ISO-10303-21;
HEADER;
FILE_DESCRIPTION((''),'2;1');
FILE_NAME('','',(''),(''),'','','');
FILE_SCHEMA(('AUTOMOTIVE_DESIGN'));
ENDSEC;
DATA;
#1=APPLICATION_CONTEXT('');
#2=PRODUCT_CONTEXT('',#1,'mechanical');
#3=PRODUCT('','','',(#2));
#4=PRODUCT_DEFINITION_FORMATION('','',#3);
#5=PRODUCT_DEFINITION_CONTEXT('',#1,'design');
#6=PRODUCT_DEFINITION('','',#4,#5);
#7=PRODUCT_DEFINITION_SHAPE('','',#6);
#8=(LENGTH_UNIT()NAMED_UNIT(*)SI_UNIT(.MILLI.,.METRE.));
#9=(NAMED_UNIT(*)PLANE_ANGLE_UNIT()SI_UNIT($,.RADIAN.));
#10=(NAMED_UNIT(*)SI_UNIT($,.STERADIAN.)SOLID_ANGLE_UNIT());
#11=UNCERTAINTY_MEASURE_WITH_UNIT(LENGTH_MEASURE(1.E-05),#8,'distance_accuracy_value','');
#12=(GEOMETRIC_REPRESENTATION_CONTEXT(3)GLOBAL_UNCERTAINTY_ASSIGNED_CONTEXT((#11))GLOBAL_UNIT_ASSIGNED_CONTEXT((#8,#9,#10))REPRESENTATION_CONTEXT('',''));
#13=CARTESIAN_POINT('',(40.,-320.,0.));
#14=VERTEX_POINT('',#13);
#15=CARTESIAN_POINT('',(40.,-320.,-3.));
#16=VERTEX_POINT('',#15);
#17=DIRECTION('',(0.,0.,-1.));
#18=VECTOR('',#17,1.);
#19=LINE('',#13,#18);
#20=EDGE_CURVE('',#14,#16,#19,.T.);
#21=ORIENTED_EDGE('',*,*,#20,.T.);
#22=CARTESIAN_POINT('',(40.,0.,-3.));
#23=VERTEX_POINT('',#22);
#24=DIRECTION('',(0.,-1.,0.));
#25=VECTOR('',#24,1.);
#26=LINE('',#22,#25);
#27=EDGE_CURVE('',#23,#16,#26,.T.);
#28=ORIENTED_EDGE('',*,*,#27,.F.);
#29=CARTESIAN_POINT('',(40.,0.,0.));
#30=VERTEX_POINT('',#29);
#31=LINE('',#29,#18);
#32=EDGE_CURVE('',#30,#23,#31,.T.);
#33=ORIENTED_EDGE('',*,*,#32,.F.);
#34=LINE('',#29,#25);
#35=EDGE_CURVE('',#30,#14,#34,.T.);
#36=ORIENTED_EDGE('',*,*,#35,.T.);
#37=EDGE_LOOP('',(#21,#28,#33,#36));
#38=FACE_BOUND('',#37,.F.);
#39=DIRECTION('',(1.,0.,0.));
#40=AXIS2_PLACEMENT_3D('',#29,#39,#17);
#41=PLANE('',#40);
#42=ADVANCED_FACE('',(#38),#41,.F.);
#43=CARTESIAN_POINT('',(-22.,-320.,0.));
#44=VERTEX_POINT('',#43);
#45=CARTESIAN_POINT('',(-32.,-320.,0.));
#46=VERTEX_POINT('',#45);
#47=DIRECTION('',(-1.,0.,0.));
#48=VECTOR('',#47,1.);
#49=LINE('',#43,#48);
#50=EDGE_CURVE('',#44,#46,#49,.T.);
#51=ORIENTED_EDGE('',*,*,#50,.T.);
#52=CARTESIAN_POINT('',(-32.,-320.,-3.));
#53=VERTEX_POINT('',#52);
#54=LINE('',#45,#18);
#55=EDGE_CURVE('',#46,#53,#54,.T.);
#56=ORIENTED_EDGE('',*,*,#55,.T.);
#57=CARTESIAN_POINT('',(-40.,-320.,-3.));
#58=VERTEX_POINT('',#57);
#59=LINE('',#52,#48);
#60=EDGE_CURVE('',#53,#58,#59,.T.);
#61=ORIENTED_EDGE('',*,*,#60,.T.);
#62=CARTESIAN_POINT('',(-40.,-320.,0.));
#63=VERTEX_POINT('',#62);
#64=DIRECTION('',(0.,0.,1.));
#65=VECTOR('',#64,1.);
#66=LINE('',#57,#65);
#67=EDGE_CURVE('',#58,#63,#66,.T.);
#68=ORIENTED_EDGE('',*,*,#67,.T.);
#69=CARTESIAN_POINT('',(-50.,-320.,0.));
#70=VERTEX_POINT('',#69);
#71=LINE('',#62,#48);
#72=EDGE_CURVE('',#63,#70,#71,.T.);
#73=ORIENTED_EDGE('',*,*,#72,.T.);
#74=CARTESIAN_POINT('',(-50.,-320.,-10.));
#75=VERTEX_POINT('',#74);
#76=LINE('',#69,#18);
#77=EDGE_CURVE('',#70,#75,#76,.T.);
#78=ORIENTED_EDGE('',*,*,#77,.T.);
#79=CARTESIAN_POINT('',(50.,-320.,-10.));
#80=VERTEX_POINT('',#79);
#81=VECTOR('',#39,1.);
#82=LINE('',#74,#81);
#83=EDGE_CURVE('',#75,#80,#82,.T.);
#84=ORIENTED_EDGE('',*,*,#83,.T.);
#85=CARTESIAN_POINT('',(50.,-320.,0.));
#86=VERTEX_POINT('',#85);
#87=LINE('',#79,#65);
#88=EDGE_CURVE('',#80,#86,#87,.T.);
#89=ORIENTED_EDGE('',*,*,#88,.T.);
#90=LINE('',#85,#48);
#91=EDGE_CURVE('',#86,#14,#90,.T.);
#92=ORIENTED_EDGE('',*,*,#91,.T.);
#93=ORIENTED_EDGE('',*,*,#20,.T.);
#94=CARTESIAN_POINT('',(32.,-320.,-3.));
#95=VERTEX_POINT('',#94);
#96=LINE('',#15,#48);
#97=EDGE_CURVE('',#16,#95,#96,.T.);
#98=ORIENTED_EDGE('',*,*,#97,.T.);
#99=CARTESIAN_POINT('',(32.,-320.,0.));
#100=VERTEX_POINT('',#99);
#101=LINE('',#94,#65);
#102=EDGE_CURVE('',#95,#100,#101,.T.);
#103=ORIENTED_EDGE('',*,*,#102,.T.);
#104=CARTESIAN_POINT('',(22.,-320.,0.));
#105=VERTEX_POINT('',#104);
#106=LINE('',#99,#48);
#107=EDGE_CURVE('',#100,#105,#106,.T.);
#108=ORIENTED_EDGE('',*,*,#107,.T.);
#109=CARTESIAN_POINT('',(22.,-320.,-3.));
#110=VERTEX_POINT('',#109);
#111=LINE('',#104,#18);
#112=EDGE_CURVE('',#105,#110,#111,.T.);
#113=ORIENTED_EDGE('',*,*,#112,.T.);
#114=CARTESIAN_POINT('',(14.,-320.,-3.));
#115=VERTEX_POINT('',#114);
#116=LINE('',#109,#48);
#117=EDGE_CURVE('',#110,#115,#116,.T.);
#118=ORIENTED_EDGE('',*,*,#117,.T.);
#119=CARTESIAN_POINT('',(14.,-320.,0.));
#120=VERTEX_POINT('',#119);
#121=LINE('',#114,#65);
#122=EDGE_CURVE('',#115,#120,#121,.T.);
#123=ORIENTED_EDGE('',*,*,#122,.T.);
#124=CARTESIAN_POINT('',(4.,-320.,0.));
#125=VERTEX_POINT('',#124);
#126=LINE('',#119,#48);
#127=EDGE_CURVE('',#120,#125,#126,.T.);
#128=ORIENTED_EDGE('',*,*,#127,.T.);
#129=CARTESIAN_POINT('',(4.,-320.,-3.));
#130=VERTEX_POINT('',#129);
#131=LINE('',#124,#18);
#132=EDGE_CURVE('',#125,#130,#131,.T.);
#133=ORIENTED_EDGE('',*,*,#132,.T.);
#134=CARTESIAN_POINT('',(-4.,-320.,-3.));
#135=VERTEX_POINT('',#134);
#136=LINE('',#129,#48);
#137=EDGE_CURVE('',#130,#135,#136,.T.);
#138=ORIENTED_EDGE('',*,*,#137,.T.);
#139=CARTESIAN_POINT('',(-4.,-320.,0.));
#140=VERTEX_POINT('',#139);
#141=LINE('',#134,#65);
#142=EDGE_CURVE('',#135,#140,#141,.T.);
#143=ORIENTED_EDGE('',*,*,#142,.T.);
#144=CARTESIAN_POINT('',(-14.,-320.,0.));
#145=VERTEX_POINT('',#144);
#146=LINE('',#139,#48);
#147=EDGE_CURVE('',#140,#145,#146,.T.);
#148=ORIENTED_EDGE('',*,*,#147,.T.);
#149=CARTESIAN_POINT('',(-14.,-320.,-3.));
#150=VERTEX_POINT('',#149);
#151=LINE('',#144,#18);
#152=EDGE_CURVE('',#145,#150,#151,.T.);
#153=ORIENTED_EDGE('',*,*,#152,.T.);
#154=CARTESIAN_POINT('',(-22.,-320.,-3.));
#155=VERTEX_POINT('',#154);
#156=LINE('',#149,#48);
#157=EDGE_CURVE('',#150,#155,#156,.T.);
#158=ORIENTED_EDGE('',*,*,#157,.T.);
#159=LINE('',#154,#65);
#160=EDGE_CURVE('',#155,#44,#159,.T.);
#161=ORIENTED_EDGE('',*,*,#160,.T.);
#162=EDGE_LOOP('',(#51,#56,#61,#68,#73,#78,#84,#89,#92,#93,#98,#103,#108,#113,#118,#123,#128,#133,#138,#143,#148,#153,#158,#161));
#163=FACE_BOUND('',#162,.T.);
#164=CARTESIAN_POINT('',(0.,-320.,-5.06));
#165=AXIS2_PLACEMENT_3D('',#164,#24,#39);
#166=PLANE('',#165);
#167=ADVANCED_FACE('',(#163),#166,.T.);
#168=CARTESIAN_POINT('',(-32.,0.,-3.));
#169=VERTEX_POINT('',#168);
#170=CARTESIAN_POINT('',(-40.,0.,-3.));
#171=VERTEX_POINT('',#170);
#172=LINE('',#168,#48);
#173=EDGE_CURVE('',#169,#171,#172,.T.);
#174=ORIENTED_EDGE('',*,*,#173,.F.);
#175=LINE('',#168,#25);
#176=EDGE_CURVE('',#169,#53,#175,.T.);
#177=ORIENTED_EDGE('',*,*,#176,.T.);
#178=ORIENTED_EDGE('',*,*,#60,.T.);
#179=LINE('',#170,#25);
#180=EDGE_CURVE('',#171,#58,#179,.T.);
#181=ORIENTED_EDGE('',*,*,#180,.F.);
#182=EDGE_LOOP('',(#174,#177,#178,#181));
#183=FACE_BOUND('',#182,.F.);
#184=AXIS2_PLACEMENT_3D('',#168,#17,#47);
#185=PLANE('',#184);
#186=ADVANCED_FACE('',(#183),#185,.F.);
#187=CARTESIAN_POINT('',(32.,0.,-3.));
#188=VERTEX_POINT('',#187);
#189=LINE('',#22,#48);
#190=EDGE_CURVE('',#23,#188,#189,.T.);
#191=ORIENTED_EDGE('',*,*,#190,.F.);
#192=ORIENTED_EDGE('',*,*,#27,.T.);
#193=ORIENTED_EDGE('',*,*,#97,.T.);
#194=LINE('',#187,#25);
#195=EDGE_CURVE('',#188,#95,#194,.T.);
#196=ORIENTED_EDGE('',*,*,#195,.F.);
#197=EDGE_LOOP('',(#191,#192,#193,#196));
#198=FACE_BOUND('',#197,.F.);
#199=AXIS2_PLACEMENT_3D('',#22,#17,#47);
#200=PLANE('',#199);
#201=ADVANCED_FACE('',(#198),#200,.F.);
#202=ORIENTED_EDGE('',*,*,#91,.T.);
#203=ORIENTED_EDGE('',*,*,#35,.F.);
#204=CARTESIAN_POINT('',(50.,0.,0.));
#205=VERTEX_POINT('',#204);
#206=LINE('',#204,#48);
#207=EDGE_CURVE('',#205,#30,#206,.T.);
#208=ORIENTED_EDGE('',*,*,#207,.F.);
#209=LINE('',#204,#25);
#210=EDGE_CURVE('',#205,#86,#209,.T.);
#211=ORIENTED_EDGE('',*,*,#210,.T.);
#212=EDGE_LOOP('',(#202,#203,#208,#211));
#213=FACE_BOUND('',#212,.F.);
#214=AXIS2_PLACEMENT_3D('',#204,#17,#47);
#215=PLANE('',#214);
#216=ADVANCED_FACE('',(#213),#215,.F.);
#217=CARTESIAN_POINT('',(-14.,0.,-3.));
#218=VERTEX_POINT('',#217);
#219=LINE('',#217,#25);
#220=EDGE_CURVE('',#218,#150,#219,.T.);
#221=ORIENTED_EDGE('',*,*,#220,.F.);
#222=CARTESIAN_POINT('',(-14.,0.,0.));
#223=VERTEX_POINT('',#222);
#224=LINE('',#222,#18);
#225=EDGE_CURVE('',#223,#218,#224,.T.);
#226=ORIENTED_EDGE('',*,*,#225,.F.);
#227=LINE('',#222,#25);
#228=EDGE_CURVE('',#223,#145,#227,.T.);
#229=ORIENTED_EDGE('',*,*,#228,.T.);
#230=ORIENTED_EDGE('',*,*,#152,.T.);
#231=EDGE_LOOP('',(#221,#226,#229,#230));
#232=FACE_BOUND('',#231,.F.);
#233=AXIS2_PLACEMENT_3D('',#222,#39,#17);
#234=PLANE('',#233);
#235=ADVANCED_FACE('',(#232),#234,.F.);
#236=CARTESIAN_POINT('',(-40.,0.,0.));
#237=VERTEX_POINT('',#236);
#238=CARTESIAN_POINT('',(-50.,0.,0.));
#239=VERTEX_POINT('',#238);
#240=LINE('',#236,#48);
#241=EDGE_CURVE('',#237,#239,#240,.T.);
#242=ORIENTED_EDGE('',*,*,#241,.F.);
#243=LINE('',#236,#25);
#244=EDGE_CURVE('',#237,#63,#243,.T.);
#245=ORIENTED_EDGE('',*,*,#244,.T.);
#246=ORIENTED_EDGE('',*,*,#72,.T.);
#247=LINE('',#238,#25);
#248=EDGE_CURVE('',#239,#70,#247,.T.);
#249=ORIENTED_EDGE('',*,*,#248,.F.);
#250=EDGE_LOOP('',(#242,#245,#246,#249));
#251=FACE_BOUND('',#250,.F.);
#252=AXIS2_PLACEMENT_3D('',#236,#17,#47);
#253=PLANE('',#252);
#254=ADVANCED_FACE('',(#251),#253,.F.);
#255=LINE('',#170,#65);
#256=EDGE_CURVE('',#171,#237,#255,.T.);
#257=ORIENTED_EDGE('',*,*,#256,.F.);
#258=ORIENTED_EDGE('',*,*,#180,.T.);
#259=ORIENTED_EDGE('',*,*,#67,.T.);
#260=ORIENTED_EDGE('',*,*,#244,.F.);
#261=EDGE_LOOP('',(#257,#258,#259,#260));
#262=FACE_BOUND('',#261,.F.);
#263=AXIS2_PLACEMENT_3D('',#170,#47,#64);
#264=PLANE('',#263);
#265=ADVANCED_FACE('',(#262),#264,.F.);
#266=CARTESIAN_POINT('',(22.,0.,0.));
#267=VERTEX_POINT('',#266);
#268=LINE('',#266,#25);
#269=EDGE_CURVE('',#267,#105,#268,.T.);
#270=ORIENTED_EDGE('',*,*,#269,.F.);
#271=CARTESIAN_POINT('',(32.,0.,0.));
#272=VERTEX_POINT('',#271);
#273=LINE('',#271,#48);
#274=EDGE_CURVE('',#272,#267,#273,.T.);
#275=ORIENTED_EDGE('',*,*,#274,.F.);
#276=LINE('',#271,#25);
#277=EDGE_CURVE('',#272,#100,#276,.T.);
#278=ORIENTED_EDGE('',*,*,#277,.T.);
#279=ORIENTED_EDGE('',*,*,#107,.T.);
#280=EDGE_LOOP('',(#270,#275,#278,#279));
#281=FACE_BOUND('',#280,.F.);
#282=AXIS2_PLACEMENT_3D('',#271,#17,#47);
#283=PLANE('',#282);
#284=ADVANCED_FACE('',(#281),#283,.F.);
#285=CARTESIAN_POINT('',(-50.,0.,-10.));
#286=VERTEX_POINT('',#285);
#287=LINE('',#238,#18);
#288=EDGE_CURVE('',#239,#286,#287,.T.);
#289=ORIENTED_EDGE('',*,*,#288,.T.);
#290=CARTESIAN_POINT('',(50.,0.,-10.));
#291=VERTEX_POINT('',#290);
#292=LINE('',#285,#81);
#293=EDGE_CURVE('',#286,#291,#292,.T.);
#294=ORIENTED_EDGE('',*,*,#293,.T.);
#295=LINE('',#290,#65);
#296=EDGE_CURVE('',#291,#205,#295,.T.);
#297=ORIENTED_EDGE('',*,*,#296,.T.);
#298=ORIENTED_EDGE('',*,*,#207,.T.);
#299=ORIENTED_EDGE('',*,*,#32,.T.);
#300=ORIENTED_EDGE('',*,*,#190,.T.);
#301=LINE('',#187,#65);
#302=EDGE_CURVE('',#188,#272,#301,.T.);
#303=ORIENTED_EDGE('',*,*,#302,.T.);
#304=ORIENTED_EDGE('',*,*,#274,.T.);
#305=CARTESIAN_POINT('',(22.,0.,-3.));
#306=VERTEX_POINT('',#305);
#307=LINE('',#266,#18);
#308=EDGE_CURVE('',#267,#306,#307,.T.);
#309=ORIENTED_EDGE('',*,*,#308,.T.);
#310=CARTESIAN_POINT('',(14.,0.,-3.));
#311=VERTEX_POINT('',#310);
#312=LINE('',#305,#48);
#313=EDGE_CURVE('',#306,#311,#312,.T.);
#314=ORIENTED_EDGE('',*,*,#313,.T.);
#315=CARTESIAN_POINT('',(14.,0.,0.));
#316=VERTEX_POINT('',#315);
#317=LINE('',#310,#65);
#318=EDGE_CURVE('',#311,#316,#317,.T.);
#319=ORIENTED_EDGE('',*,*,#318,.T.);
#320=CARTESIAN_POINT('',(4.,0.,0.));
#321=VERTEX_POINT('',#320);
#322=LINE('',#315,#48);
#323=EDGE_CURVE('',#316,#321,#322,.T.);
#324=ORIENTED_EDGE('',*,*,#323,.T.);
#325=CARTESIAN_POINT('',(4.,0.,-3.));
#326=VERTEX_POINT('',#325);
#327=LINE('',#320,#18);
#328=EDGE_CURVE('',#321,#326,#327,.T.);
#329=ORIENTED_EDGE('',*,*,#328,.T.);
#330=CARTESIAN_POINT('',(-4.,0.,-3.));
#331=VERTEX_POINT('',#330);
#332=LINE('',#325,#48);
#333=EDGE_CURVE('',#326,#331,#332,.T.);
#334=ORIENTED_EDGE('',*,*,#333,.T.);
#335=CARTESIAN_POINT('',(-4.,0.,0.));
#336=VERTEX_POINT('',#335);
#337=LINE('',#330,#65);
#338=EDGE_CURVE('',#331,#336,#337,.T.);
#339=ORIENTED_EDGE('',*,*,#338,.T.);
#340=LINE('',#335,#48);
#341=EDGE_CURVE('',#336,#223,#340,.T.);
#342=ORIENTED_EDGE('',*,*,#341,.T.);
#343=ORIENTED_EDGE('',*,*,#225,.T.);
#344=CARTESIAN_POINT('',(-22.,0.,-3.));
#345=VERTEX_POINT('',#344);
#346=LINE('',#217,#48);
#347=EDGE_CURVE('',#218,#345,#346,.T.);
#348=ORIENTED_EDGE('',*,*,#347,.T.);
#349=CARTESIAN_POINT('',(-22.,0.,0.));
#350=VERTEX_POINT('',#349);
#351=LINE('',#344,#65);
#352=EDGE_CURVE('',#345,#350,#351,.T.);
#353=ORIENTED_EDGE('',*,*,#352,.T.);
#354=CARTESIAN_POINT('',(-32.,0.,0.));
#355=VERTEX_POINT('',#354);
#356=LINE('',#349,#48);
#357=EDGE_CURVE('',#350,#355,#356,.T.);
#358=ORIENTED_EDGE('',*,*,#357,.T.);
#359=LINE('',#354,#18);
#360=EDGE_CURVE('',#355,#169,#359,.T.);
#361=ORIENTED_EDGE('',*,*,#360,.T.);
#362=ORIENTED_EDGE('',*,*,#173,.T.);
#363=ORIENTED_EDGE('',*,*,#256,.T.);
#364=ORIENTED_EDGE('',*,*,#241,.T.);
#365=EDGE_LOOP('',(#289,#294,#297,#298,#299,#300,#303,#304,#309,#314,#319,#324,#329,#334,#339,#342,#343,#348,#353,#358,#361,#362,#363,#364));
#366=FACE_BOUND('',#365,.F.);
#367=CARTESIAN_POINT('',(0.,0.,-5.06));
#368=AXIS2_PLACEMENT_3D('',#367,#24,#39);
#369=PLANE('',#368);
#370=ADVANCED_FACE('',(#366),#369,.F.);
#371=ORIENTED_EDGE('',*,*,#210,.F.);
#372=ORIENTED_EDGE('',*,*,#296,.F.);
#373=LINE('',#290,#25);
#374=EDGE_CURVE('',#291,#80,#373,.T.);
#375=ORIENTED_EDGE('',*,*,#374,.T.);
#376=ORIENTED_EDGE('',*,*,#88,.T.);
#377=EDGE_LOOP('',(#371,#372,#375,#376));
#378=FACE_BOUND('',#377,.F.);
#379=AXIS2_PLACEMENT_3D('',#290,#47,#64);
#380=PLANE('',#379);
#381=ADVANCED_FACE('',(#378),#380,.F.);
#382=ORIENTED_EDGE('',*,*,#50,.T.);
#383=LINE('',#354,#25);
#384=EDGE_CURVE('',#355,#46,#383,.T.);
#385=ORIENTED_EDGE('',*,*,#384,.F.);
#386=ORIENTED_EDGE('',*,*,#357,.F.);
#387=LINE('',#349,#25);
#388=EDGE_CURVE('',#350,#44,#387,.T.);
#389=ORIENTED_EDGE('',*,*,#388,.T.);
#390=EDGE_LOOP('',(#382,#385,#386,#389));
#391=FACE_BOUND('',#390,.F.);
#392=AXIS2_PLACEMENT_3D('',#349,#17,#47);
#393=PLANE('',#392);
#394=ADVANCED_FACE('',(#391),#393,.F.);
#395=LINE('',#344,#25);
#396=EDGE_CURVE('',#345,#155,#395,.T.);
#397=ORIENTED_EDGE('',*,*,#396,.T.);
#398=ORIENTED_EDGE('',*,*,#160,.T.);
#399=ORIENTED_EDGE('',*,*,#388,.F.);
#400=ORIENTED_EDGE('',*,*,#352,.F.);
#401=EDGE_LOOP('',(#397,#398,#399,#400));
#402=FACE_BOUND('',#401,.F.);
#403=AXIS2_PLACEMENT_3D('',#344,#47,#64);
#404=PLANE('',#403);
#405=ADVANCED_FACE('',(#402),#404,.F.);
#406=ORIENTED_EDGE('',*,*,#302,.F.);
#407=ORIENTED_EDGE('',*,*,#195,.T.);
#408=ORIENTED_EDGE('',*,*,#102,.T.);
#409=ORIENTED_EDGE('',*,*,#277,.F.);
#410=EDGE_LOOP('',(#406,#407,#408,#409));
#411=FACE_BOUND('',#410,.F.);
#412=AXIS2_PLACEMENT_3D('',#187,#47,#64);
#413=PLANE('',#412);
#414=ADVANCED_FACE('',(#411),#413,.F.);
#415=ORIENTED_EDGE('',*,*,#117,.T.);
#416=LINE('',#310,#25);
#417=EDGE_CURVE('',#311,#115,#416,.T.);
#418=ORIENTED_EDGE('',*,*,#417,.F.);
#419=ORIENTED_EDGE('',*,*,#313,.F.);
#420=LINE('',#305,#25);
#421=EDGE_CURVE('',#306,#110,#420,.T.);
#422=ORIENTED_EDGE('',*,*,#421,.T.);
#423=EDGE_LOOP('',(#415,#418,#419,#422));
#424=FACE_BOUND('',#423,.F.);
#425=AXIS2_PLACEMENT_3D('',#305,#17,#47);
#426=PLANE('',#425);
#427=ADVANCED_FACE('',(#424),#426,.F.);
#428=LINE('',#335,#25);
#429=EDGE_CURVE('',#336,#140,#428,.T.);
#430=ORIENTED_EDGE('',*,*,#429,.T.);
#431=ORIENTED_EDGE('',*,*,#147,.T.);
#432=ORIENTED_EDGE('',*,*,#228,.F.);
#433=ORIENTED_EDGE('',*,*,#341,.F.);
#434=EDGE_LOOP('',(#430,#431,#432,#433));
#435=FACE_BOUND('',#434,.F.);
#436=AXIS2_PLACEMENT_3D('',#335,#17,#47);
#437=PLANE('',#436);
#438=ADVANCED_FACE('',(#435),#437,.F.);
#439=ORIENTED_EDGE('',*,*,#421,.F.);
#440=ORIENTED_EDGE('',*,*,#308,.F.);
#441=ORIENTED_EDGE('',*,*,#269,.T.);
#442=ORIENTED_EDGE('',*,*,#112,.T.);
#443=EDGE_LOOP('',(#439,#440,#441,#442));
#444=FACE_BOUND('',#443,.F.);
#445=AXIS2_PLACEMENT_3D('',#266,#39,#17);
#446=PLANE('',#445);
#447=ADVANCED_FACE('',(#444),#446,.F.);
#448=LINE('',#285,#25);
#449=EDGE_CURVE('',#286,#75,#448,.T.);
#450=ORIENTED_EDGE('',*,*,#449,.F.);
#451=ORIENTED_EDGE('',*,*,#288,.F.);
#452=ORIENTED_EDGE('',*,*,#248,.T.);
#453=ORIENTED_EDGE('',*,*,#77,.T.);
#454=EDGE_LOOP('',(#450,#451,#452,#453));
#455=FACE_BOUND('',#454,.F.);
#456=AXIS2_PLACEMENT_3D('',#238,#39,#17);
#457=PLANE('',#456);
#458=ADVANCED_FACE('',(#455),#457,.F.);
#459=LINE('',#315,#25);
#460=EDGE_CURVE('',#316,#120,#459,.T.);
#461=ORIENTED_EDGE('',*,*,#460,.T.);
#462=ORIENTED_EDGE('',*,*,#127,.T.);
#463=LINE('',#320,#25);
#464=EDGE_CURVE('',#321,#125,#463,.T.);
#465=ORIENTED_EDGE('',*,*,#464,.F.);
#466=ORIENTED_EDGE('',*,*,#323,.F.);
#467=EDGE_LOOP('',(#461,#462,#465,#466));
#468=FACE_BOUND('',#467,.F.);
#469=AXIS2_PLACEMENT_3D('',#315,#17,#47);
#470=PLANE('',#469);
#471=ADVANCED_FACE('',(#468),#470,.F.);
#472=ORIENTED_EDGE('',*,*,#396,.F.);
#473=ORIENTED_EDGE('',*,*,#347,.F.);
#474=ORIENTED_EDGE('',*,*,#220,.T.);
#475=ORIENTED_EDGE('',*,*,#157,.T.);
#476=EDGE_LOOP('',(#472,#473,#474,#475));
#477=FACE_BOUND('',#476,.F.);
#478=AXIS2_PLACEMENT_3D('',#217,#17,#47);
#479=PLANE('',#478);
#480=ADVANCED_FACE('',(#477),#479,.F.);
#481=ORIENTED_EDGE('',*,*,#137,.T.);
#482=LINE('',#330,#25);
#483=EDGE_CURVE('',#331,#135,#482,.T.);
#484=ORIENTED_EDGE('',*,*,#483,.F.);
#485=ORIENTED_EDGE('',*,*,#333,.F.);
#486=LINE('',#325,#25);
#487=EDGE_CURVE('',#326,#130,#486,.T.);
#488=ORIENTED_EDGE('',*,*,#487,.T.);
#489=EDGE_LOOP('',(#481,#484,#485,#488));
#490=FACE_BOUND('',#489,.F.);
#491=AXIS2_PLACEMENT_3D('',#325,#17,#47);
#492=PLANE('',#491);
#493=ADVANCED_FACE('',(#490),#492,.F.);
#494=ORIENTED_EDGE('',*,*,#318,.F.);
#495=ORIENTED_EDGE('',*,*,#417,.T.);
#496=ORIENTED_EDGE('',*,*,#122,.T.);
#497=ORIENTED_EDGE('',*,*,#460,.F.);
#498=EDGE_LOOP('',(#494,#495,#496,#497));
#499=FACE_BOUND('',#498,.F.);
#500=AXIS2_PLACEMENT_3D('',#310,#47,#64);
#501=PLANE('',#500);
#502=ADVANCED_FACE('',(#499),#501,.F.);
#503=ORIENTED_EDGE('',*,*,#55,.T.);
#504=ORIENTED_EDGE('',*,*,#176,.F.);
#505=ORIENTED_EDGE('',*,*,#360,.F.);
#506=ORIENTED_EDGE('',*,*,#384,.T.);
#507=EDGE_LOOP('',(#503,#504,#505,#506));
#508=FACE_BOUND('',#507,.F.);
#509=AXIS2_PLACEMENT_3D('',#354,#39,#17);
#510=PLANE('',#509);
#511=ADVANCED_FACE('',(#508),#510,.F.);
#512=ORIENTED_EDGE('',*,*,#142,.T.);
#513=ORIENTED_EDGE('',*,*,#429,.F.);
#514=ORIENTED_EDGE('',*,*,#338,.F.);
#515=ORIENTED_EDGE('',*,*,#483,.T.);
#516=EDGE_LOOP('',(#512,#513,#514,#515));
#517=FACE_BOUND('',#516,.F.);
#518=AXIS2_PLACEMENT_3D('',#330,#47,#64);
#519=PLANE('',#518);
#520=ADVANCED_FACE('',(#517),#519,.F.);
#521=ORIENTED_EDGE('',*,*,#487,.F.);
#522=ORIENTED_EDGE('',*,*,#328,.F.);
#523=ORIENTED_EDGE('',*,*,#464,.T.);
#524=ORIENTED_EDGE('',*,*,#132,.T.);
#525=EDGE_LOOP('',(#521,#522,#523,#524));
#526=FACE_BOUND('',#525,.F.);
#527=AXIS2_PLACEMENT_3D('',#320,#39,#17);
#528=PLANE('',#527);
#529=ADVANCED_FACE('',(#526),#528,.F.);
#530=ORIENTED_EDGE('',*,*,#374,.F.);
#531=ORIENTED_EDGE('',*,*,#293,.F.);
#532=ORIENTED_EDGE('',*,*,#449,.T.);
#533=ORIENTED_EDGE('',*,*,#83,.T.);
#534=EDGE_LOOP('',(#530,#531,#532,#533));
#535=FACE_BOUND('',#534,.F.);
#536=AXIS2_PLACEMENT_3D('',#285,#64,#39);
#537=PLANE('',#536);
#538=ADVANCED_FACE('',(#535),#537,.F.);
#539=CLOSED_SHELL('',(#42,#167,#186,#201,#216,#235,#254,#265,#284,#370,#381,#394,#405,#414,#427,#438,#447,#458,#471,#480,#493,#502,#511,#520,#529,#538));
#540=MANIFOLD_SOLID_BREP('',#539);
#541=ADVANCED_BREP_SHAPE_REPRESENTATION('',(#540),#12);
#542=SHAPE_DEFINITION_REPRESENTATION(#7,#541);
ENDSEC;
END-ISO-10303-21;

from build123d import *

# Parameters (mm, degrees)
F1_DEPTH = 320


with BuildPart() as f1:
    # F0 (on Front) → F1 (new body)
    with BuildSketch(Plane.XZ):
        Polygon((-40, 0), (-50, 0), (-50, -10), (50, -10), (50, 0), (40, 0), (40, -3), (32, -3), (32, 0), (22, 0), (22, -3), (14, -3), (14, 0), (4, 0), (4, -3), (-4, -3), (-4, 0), (-14, 0), (-14, -3), (-22, -3), (-22, 0), (-32, 0), (-32, -3), (-40, -3), align=None)
    extrude(amount=F1_DEPTH)


solid = f1.part
